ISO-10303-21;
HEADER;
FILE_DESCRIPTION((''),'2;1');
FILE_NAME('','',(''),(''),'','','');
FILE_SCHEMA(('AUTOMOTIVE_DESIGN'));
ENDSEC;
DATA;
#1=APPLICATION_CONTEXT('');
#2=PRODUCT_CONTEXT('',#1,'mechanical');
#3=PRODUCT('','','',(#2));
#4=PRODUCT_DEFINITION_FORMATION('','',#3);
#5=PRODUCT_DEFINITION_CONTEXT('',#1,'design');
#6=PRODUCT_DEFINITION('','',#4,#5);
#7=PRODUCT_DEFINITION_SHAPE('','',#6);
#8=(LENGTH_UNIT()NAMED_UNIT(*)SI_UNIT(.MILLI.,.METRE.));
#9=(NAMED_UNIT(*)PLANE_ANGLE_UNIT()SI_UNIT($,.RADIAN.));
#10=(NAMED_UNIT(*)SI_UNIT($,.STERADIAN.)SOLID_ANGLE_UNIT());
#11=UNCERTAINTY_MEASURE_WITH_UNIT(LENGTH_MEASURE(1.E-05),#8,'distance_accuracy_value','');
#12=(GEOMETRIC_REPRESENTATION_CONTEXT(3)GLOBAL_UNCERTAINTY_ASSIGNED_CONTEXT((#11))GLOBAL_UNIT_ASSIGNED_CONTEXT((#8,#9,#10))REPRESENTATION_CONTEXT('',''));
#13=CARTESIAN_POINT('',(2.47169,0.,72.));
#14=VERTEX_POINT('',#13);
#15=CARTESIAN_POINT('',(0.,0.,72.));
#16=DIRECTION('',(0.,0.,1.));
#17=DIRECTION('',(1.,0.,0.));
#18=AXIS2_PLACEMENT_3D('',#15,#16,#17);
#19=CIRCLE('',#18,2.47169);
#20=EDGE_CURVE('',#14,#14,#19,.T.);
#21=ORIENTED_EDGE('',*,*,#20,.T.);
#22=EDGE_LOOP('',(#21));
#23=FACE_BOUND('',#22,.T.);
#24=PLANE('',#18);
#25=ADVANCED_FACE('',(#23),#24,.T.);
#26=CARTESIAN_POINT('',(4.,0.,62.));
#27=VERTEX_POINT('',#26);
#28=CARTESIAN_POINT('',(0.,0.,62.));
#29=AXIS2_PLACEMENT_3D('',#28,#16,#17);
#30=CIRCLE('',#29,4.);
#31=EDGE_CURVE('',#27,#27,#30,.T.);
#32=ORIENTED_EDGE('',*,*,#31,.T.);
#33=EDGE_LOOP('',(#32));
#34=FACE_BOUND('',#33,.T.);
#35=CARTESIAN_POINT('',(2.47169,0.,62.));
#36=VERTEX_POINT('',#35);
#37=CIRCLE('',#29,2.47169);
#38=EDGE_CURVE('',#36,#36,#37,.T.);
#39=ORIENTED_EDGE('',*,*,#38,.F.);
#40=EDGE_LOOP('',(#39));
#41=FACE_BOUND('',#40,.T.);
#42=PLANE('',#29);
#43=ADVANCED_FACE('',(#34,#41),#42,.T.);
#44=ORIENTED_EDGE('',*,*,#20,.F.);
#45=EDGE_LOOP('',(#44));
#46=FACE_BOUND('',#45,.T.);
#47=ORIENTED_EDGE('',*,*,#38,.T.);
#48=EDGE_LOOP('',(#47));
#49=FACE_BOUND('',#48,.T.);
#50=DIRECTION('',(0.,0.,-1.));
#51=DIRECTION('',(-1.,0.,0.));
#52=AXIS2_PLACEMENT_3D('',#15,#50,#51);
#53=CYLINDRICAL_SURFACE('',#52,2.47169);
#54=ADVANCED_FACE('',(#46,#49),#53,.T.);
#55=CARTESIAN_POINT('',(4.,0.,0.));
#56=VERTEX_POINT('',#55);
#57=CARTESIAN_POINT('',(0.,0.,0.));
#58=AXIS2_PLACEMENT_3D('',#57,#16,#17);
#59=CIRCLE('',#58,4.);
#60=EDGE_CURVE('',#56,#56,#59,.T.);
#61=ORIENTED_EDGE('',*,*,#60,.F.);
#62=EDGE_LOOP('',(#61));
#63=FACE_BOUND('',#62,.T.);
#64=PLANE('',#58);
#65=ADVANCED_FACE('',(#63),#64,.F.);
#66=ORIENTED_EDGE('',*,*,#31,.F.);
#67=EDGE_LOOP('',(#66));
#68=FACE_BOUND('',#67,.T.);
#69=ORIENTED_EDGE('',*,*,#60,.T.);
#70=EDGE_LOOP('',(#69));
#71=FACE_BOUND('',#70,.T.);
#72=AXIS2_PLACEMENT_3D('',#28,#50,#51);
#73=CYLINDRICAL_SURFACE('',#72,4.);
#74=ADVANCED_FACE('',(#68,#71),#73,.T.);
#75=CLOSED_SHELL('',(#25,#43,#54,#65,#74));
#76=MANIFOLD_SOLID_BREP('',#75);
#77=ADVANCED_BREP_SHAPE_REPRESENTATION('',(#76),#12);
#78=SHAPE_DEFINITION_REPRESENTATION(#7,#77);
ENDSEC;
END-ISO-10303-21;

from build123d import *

# Parameters (mm, degrees)
SKETCH1_R           = 4
BOSS_EXTRUDE1_DEPTH = 62
SKETCH2_R           = 2.471690238
BOSS_EXTRUDE2_DEPTH = 10


with BuildPart() as part:
    # Sketch1 → Boss-Extrude1 (new body)
    with BuildSketch(Plane.XY):
        Circle(SKETCH1_R)
    extrude(amount=BOSS_EXTRUDE1_DEPTH)

    # Sketch2 → Boss-Extrude2 (add)
    with BuildSketch(Plane.XY.offset(62)):
        Circle(SKETCH2_R)
    extrude(amount=BOSS_EXTRUDE2_DEPTH)


solid = part.part
